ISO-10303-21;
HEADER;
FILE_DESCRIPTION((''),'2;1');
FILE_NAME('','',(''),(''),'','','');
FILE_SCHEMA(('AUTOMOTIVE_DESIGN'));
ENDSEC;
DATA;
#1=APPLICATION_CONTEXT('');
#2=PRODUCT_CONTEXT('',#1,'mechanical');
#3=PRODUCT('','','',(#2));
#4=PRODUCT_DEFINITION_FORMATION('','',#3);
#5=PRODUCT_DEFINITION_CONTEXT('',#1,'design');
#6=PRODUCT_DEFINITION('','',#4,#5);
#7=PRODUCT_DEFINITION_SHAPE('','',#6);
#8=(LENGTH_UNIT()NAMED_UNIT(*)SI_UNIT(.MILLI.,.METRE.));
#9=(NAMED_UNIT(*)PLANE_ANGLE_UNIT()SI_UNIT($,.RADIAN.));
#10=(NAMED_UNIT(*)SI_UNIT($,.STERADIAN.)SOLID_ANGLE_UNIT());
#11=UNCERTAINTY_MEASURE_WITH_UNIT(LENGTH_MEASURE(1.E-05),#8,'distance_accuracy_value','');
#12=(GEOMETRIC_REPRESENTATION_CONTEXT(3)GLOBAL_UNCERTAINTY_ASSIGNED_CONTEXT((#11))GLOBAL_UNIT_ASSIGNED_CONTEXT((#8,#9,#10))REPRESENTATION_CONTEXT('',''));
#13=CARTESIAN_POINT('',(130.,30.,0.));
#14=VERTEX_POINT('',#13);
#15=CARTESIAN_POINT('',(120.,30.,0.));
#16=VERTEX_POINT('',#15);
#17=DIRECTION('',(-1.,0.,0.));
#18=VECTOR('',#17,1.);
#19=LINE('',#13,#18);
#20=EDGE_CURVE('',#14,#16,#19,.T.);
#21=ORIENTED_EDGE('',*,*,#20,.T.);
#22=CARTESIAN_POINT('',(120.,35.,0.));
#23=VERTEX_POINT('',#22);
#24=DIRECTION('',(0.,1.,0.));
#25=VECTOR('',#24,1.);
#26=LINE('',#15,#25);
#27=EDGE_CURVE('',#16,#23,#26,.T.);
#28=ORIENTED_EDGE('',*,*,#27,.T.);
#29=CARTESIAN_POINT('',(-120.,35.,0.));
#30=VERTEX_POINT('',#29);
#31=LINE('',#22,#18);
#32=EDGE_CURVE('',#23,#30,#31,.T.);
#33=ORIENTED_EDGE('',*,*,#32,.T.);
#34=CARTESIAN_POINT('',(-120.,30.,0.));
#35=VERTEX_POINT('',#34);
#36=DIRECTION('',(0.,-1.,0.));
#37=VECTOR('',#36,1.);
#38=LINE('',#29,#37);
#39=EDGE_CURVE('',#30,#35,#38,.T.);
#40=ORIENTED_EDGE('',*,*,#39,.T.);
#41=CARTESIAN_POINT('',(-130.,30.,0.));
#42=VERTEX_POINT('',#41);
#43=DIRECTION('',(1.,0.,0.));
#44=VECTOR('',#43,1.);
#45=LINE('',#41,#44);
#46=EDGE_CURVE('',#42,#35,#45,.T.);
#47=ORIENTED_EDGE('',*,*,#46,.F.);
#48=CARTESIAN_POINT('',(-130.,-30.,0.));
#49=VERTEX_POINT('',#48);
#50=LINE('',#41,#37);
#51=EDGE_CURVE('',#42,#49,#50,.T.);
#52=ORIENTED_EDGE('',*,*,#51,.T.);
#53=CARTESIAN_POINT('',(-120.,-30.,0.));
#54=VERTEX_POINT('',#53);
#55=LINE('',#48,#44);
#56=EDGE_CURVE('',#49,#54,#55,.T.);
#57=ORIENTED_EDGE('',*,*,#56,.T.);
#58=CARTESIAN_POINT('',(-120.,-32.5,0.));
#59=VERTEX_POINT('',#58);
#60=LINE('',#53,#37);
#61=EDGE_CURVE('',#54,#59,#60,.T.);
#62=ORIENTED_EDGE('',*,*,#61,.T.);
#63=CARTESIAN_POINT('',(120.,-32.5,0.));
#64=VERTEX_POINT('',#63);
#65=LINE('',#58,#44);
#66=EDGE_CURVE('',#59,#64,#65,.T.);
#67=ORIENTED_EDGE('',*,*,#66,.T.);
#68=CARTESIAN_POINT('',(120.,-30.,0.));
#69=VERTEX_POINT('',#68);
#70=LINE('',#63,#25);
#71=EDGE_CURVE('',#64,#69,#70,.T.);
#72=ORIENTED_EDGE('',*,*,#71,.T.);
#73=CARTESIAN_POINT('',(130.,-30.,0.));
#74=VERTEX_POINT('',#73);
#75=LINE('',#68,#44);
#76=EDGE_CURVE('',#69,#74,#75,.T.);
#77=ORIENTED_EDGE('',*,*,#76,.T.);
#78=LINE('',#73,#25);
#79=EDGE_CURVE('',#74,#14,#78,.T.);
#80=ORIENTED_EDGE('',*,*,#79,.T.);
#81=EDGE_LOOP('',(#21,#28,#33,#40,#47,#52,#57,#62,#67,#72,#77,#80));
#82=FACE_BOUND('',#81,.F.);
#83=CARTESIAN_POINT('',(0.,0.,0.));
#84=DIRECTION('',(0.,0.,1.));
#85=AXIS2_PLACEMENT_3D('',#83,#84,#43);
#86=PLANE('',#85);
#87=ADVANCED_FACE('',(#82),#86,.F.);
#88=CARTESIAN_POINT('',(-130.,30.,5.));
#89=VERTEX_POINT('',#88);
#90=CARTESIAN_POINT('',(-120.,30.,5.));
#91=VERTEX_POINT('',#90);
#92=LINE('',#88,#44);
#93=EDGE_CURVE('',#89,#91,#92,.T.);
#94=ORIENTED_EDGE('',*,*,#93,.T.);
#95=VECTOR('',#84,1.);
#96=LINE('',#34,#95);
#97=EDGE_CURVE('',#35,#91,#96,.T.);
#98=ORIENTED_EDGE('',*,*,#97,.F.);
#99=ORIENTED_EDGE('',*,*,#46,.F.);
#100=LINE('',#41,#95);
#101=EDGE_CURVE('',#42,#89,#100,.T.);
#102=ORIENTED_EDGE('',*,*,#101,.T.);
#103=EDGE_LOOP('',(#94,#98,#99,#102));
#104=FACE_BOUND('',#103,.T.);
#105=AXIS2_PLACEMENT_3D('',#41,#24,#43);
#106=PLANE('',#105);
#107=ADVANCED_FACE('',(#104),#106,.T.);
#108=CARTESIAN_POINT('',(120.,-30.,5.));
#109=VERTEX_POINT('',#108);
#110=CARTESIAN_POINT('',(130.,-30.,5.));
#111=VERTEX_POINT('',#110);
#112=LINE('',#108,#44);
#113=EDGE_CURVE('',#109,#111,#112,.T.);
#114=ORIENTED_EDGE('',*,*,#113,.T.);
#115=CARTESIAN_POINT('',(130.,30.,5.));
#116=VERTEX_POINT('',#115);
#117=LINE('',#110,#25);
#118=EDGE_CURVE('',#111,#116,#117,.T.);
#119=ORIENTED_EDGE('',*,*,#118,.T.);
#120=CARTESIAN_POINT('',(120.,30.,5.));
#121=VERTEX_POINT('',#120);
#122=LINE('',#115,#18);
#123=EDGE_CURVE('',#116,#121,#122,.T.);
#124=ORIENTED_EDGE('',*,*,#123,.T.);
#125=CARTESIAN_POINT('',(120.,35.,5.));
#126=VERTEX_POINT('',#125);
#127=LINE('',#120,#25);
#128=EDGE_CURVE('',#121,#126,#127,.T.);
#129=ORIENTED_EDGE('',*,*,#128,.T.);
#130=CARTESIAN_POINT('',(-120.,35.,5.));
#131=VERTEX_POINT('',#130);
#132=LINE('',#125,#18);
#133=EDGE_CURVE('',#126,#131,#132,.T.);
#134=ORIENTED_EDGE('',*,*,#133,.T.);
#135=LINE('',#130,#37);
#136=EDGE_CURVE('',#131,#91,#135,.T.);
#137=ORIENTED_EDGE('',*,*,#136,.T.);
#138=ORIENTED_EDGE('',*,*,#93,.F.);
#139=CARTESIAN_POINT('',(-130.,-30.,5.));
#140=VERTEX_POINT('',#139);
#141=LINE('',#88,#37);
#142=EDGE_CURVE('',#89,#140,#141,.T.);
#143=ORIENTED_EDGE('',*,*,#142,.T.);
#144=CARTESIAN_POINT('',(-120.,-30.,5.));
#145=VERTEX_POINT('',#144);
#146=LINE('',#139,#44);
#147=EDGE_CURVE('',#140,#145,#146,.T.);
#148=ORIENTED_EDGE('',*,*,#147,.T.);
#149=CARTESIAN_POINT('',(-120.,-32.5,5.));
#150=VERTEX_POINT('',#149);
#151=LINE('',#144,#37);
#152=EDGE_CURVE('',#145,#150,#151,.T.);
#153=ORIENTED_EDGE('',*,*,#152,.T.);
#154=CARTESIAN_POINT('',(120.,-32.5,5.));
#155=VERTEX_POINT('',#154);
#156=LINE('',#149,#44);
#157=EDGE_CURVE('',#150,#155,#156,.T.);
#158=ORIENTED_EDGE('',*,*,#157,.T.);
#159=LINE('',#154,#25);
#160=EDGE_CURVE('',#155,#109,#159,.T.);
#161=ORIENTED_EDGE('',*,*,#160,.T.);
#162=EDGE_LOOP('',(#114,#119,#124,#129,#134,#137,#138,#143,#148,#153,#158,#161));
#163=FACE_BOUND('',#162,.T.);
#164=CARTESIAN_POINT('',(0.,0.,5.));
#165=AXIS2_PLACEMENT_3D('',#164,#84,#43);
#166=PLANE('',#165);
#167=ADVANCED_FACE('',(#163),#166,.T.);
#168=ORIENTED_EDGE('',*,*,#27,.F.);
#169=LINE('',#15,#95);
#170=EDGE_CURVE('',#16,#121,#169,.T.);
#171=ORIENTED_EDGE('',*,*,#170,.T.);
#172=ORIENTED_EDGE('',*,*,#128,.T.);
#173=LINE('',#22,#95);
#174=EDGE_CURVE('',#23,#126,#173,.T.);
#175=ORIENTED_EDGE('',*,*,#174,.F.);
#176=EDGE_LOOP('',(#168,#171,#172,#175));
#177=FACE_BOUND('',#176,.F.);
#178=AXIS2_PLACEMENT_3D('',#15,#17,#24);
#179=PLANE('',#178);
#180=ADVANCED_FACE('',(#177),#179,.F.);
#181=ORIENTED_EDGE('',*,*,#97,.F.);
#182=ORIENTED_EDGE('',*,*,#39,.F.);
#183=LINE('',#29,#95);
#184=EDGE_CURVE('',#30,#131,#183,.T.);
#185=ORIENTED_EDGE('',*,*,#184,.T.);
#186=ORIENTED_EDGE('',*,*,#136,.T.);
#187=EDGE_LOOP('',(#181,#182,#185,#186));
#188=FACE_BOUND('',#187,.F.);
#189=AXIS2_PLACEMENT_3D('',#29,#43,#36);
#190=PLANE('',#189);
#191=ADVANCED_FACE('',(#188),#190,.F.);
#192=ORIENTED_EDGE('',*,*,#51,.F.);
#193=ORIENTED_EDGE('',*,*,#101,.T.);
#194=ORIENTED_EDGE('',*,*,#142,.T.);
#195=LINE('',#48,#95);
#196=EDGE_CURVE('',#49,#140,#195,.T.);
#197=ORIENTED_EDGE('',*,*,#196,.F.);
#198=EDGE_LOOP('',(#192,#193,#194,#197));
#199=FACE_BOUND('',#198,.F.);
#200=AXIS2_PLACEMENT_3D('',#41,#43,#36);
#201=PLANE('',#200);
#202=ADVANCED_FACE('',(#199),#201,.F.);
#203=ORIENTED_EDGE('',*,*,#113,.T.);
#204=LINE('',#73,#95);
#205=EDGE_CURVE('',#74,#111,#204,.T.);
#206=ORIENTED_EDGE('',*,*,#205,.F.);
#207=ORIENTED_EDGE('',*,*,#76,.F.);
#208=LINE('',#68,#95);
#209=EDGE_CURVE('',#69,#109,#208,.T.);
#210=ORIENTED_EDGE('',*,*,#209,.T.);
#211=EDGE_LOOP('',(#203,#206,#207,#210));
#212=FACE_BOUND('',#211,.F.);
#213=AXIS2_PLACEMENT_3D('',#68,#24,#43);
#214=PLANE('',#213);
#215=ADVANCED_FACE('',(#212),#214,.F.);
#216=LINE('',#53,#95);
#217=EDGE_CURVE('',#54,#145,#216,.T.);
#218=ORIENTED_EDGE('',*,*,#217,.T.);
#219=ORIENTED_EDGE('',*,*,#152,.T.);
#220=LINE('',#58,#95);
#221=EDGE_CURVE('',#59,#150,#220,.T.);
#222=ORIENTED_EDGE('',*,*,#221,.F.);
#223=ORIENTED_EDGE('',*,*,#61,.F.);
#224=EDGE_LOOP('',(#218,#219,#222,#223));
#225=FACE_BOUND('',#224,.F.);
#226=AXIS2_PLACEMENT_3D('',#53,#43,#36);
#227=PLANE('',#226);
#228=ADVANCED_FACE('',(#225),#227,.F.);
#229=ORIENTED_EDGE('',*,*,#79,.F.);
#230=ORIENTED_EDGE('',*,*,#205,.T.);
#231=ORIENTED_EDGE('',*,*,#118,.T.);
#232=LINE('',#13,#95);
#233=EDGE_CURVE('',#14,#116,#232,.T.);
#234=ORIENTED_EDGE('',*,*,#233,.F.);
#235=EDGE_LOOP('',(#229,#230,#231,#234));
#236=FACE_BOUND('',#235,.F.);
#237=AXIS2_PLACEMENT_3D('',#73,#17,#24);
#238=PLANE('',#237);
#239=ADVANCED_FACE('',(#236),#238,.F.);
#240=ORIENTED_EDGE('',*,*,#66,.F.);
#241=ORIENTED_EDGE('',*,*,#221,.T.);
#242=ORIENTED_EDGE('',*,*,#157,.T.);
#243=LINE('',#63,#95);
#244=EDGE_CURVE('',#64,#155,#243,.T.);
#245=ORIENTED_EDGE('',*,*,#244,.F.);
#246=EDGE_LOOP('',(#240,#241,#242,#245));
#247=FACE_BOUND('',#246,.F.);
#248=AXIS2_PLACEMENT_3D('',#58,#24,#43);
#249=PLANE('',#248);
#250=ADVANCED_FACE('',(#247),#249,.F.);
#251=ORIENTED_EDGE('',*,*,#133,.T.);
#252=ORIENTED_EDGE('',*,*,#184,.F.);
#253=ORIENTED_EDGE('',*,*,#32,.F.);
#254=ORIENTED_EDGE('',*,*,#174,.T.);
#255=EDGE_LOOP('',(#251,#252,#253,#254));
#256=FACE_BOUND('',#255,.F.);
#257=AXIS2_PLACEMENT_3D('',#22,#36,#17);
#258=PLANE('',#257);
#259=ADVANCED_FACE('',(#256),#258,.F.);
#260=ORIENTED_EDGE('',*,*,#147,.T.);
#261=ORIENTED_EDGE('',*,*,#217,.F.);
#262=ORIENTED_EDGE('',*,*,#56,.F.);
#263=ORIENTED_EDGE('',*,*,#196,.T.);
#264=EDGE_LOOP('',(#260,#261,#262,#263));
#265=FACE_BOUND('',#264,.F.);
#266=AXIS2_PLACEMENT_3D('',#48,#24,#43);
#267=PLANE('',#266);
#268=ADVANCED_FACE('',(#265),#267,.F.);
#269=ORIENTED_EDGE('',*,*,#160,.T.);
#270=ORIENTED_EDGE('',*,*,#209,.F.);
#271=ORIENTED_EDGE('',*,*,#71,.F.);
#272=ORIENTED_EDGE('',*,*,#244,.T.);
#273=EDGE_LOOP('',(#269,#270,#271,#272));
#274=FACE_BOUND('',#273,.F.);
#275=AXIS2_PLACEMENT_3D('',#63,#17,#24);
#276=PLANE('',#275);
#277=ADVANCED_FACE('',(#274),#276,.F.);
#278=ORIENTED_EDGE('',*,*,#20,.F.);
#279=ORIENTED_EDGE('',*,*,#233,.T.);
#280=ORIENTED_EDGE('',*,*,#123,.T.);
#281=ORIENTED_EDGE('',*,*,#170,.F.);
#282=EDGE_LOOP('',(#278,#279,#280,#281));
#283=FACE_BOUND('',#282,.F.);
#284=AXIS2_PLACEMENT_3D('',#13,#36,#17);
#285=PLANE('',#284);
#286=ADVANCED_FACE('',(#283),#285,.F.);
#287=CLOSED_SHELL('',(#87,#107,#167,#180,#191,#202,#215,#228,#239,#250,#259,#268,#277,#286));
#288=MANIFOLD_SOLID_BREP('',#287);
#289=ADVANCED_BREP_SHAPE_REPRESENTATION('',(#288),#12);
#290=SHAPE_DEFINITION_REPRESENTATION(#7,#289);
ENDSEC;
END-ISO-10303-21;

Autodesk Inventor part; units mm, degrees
ref_plane "YZ Plane" through (0, 0, 0) normal (1, 0, 0) x (0, 1, 0)
ref_plane "XZ Plane" through (0, 0, 0) normal (0, 1, 0) x (-1, 0, 0)
ref_plane "XY Plane" through (0, 0, 0) normal (0, 0, 1) x (1, 0, 0)
sketch "Sketch1" plane through (0, 0, 0) normal (0, 0, 1) x (1, 0, 0)
  line L0 (-130, 30) -> (-130, -30)
  line L1 (-130, -30) -> (-120, -30)
  line L2 (-120, -30) -> (-120, -32.5)
  line L3 (-120, -32.5) -> (120, -32.5)
  line L4 (120, -32.5) -> (120, -30)
  line L5 (120, -30) -> (130, -30)
  line L6 (130, -30) -> (130, 30)
  line L7 (130, 30) -> (120, 30)
  line L8 (120, 30) -> (120, 35)
  line L9 (120, 35) -> (-120, 35)
  line L10 (-120, 35) -> (-120, 30)
  line L11 (-130, 30) -> (-120, 30)
  point P0 (0, 0)
  point P1 (0, 35)
  point P2 (130, 0)
  point P3 (-130, 0)
  dimension "d0" = 5
  dimension "d1" = 240
  dimension "d2" = 10
  dimension "d3" = 10
  dimension "d4" = 2.5
  dimension "d5" = 60
extrude "Extrusion1" add sketch "Sketch1" along normal blind 5
properties part number "SeitenOben" material "Polycarbonate, Clear"
